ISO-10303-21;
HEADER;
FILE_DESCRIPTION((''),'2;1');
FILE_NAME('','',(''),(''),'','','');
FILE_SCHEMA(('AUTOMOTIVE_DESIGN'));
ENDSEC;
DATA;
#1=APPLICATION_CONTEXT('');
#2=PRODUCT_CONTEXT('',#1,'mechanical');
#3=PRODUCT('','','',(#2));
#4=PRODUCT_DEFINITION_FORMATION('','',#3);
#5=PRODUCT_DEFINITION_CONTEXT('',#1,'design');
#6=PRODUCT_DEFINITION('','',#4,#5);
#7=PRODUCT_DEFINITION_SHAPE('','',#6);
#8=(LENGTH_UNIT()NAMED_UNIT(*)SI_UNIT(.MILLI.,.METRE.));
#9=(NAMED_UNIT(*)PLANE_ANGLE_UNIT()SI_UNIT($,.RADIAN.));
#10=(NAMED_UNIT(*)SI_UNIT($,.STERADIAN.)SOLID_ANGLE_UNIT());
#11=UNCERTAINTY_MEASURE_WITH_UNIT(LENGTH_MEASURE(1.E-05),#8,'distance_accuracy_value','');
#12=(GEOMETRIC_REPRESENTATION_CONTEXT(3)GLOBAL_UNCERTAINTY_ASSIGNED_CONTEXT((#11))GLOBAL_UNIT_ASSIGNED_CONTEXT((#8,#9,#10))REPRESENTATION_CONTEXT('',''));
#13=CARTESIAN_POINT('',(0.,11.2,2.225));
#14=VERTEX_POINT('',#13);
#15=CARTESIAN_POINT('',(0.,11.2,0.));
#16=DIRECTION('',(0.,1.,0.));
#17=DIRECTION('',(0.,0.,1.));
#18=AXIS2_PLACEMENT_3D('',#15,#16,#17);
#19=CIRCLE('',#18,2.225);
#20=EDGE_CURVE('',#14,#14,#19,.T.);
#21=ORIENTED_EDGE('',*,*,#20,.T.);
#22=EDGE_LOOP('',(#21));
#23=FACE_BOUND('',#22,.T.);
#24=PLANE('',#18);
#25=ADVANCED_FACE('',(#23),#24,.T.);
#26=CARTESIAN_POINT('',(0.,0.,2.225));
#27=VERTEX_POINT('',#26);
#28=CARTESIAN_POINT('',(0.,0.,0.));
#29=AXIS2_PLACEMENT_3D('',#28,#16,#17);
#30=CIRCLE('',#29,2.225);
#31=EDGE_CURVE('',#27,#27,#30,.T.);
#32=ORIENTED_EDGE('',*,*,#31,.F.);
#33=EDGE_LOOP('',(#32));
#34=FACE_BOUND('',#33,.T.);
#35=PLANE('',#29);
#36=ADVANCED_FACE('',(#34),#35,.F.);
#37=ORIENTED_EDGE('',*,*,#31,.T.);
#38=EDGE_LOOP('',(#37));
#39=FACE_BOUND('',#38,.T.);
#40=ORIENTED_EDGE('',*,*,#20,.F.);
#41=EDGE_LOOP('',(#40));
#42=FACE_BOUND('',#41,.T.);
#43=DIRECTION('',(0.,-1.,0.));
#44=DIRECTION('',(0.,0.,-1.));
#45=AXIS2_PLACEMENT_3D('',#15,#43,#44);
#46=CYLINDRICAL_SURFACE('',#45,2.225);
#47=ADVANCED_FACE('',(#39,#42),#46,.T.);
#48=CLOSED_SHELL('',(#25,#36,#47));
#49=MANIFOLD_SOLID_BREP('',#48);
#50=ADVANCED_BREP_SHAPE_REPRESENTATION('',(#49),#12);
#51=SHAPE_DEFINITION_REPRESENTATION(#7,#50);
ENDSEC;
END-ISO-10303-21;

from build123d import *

# Parameters (mm, degrees)
SZKIC1_R                    = 2.225
DODANIE_WYCI_GNI_CIE1_DEPTH = 11.2


with BuildPart() as part:
    # Szkic1 → Dodanie-wyciągnięcie1 (new body)
    with BuildSketch(Plane(origin=(0, 0, 0), x_dir=(1, 0, 0), z_dir=(0, 1, 0))):
        with Locations(Location((0, 0, 0), (0, 0, 270))):
            Circle(SZKIC1_R)
    extrude(amount=DODANIE_WYCI_GNI_CIE1_DEPTH)


solid = part.part
